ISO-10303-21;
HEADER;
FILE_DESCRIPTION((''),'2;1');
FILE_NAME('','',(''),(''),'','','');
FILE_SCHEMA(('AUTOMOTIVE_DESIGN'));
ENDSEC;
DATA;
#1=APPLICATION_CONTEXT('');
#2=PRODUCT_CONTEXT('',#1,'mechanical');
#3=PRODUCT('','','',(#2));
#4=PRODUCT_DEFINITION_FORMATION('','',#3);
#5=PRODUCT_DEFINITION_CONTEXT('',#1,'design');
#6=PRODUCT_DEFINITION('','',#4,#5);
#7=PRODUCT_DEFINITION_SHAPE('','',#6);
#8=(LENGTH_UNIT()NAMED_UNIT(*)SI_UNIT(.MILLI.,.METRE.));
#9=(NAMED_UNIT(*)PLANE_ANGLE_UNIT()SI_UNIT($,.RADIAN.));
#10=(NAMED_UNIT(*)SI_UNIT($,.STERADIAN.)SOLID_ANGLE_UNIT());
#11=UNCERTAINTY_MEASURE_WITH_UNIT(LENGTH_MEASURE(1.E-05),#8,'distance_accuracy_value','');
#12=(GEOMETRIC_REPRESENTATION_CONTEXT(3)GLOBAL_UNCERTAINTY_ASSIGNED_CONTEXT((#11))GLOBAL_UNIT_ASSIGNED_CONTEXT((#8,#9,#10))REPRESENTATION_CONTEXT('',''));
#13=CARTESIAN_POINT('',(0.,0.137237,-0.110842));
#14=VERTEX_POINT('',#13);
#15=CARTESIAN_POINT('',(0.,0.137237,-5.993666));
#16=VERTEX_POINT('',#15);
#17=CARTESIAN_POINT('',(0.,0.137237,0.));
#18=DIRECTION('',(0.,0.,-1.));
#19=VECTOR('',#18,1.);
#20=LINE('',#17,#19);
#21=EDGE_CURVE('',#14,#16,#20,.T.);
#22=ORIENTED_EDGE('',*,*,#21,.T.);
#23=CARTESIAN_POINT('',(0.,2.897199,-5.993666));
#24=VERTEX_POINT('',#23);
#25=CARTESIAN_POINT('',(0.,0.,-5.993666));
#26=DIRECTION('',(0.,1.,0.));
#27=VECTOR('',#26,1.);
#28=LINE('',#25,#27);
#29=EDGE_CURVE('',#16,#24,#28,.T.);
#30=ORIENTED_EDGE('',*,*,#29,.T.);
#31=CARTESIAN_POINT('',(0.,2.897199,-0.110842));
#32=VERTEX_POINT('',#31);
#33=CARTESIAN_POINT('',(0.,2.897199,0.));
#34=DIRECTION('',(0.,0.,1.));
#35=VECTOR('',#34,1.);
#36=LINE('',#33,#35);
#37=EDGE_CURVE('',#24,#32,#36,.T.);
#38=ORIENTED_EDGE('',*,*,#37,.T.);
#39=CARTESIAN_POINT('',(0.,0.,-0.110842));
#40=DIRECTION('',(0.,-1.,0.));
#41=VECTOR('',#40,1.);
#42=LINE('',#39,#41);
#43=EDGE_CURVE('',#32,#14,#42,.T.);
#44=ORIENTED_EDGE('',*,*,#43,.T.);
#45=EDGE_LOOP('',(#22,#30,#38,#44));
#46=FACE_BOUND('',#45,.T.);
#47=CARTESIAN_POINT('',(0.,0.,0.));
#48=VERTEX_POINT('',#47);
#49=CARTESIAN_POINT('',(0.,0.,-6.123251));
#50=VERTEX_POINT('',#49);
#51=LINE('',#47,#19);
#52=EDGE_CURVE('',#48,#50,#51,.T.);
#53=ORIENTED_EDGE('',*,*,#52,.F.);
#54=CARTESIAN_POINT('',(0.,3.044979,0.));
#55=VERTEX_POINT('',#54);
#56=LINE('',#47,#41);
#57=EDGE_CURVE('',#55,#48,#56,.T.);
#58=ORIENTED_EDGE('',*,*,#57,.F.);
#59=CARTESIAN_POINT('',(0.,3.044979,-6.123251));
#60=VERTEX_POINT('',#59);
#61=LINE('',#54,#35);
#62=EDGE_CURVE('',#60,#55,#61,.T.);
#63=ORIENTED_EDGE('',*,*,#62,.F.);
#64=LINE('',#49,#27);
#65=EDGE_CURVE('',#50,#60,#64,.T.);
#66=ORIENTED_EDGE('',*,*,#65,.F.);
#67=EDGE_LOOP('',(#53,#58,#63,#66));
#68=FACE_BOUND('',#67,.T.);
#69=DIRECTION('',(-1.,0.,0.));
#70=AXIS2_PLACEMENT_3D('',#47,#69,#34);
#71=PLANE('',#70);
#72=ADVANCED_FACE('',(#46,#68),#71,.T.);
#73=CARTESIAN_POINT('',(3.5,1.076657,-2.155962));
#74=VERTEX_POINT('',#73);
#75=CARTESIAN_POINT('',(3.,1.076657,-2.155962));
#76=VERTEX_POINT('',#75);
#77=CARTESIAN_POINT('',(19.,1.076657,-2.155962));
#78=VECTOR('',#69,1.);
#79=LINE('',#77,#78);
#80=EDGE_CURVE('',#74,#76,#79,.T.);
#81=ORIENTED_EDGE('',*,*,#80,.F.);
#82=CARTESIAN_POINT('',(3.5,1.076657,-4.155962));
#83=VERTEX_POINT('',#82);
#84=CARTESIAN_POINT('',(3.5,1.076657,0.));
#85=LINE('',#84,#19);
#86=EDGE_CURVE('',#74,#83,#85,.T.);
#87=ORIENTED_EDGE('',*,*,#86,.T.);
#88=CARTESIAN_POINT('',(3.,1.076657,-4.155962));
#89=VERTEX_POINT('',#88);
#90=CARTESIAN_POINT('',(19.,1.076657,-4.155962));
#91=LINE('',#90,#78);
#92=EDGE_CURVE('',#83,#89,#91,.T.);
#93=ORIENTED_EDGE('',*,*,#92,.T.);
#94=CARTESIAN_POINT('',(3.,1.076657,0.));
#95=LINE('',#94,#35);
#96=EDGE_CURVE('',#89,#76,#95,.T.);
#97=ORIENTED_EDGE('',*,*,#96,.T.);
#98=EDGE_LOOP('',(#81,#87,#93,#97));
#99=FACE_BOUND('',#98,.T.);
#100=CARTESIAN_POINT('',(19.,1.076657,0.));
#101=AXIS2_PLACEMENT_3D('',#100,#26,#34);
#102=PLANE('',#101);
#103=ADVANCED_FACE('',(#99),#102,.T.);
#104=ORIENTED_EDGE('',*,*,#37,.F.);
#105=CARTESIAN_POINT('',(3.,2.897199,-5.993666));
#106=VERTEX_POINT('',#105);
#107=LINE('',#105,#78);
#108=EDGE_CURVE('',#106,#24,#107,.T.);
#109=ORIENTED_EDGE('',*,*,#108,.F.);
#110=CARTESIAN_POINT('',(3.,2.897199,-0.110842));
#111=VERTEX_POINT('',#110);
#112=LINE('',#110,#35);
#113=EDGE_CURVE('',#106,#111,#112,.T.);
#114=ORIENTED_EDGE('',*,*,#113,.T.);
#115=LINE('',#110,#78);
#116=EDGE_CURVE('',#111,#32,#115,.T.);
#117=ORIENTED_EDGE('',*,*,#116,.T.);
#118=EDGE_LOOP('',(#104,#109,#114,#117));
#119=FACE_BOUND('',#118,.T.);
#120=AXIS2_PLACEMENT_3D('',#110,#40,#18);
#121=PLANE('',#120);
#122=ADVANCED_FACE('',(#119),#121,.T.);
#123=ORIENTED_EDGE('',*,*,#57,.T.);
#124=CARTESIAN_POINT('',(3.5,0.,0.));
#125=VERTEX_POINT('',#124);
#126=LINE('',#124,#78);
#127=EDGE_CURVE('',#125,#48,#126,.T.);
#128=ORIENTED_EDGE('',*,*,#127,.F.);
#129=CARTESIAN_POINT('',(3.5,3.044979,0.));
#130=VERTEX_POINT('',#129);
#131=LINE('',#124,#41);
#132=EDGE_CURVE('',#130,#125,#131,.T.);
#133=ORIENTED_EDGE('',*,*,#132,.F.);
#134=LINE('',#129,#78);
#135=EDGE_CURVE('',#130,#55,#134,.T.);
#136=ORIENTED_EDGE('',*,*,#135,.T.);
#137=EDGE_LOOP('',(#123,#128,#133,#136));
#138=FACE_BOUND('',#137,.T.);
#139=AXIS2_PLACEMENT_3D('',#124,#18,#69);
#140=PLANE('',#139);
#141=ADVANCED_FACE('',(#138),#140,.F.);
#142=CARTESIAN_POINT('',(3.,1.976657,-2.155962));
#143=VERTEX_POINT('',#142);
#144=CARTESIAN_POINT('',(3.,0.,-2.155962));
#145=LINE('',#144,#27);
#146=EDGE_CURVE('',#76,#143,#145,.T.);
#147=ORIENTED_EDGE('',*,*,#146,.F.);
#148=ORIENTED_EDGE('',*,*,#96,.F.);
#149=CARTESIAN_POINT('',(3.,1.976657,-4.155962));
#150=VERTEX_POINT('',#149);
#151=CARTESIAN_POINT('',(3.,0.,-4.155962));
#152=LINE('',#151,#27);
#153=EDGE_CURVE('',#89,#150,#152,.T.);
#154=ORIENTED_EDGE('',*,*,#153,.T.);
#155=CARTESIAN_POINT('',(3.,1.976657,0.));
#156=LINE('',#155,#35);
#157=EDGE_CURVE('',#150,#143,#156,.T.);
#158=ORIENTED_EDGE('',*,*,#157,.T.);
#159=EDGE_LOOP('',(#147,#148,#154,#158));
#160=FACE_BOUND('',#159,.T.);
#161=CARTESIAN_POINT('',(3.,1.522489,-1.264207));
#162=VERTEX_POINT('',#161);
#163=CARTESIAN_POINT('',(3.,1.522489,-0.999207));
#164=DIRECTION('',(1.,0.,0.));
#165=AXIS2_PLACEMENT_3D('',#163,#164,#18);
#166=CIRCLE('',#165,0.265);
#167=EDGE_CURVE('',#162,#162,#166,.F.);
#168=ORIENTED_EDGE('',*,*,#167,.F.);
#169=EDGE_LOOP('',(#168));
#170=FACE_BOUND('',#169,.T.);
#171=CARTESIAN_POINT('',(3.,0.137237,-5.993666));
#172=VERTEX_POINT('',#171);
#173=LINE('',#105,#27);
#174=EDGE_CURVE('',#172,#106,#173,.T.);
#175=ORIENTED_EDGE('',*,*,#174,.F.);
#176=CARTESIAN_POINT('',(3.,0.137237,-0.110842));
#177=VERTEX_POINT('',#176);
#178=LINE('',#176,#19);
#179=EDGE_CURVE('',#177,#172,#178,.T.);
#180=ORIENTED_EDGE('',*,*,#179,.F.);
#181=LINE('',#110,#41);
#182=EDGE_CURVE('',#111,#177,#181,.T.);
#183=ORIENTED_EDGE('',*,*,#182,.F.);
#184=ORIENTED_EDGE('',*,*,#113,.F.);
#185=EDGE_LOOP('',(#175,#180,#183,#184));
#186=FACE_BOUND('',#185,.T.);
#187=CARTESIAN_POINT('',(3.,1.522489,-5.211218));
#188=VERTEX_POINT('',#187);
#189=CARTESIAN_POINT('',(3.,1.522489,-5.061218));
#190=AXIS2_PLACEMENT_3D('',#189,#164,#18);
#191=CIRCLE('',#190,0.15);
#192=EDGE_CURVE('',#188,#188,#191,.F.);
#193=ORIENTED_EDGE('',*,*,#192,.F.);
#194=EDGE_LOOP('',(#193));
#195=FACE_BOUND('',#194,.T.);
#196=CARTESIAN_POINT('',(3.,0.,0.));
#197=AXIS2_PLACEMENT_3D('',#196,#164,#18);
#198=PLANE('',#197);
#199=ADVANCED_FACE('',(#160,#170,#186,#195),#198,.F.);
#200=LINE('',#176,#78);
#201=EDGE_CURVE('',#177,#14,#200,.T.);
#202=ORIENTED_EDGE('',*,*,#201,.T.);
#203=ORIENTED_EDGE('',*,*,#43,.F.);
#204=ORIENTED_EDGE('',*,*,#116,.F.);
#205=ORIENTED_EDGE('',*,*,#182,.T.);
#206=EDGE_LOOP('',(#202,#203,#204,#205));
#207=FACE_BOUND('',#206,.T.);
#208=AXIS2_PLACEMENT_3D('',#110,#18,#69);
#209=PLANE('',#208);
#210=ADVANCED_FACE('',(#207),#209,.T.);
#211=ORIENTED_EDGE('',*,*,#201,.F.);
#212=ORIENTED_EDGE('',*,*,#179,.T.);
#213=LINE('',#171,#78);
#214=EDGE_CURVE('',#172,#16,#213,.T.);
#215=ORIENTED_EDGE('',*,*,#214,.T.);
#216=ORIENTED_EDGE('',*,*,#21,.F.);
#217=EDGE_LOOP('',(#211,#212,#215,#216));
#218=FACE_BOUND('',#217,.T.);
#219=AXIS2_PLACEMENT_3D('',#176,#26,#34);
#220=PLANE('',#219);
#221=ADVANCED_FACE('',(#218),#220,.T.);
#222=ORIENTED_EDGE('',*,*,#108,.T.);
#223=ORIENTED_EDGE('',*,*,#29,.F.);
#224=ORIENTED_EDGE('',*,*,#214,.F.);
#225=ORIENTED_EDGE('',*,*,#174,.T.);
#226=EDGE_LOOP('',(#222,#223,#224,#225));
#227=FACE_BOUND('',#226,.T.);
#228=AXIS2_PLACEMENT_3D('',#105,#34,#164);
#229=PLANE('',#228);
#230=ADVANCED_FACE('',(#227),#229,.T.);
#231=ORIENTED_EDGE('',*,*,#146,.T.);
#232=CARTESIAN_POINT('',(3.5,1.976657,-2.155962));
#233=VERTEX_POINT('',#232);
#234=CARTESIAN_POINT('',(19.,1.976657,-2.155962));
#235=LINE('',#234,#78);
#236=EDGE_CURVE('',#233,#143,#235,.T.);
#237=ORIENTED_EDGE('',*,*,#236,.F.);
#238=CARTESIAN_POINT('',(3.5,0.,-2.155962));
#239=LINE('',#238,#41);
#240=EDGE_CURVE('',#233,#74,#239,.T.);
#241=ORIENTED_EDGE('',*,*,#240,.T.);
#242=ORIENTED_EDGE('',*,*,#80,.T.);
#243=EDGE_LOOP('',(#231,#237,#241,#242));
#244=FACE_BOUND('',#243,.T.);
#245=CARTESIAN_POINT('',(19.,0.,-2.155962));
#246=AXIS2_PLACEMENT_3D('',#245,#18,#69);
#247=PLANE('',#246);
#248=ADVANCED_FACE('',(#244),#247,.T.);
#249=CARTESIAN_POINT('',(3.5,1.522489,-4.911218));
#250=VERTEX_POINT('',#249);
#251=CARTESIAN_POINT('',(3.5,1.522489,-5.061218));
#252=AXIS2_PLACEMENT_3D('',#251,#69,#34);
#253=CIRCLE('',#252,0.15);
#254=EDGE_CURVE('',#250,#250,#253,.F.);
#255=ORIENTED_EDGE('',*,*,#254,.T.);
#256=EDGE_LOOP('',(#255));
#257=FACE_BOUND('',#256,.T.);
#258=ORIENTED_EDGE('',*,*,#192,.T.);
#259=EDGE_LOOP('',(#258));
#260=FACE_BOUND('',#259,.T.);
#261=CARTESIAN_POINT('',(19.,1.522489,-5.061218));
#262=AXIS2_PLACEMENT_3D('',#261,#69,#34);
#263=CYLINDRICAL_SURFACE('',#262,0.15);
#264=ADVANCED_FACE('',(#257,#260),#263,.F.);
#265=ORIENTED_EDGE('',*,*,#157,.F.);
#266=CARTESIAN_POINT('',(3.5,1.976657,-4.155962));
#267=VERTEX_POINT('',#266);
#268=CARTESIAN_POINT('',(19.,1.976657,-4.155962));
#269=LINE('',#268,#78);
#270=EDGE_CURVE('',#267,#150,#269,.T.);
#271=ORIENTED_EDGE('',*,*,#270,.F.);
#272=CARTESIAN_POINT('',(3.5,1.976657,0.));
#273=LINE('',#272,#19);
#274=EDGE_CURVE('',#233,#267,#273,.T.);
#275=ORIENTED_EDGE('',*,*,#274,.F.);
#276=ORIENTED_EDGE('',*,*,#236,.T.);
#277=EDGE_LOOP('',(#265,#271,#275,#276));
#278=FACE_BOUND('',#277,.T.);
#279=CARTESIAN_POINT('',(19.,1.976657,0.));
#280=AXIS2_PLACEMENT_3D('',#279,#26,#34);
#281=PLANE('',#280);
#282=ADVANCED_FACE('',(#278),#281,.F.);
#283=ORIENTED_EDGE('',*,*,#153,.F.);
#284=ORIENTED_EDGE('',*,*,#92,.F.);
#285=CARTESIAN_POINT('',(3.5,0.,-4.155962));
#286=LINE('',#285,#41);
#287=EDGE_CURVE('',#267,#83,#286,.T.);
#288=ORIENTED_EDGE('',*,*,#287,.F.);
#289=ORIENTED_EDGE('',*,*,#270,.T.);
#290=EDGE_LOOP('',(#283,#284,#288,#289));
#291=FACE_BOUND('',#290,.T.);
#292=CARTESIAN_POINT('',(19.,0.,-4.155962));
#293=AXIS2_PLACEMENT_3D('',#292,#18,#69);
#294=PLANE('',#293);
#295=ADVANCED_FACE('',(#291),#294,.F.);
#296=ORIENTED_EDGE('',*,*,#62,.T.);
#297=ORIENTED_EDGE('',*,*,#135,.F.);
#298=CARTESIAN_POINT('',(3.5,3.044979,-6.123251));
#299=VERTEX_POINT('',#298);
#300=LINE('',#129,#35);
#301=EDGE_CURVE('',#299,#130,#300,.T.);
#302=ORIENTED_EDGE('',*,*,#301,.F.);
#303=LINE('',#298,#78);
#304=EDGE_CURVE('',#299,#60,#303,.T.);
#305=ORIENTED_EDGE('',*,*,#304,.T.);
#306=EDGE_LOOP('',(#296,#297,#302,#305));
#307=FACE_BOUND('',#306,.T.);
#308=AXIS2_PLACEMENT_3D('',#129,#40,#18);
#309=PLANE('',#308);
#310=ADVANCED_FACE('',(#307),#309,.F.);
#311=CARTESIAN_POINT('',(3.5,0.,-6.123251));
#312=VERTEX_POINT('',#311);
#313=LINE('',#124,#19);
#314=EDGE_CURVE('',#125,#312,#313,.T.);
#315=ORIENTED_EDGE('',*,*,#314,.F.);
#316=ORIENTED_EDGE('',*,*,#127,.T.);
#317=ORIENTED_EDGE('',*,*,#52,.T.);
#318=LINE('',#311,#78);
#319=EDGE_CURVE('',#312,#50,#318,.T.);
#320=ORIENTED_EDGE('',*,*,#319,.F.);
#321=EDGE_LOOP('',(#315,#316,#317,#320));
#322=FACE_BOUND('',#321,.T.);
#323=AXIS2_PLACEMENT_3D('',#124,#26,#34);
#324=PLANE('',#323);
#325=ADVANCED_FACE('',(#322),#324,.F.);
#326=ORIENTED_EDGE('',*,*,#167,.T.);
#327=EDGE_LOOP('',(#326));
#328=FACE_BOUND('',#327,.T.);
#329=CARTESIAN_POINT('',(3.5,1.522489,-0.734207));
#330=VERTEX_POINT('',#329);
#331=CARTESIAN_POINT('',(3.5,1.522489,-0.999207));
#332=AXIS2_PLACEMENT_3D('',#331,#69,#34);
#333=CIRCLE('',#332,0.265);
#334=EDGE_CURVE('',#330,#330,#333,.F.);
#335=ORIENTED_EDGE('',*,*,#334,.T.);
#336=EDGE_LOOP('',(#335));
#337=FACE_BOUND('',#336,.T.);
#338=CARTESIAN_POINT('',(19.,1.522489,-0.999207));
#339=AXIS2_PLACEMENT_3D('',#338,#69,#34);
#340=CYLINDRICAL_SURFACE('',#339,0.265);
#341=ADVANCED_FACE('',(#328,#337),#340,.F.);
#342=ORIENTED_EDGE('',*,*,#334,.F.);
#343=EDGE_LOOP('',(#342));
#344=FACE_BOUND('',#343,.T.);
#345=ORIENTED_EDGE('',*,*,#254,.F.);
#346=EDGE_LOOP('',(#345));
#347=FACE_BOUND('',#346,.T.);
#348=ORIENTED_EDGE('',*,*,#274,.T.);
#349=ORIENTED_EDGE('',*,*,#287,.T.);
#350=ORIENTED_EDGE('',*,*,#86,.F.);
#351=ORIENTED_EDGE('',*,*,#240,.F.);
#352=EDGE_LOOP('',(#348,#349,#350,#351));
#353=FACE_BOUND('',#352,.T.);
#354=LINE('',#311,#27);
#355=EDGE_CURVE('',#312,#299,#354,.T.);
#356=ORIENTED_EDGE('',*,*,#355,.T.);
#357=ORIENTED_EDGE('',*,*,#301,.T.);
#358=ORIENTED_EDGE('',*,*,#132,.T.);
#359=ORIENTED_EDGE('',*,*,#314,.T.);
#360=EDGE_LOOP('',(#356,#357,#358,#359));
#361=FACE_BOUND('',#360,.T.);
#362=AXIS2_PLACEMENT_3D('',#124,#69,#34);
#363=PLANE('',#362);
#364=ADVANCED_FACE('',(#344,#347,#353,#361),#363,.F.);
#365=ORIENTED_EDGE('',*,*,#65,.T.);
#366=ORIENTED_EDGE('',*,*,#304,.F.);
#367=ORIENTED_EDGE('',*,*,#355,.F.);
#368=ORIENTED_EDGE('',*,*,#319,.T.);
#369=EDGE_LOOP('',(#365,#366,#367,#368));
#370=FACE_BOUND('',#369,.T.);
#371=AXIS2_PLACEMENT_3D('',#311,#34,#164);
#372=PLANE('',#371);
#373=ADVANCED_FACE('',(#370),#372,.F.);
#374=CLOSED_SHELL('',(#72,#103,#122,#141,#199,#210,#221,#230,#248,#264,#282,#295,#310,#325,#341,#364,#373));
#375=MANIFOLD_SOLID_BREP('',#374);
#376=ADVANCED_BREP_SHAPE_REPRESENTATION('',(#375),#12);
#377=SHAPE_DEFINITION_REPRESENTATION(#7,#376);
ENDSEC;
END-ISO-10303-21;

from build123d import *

# Parameters (mm, degrees)
SKETCH3_W               = 6.123251055
SKETCH3_H               = 3.044978856
BOSS_EXTRUDE1_DEPTH     = 3.5
SKETCH4_W               = 5.882824508
SKETCH4_H               = 2.759961498
CUT_EXTRUDE1_DEPTH      = 3
CUT_EXTRUDE1_DEPTH_BACK = 3.5
SKETCH5_W               = 2
SKETCH5_H               = 0.9
SKETCH5_R               = 0.265
SKETCH5_R_2             = 0.15
CUT_EXTRUDE4_DEPTH      = 19
CUT_EXTRUDE4_DEPTH_BACK = 9.5


with BuildPart() as part:
    # Sketch3 → Boss-Extrude1 (new body)
    with BuildSketch(Plane(origin=(0, 0, 0), x_dir=(0, 0, -1), z_dir=(1, 0, 0))):
        with Locations((3.061625528, 1.522489428)):
            Rectangle(SKETCH3_W, SKETCH3_H)
    extrude(amount=BOSS_EXTRUDE1_DEPTH)

    # Sketch4 → Cut-Extrude1 (cut, two sides)
    with BuildSketch(Plane(origin=(0, 0, 0), x_dir=(0, 0, -1), z_dir=(1, 0, 0))) as cut_extrude1_sk:
        with Locations((3.052253754, 1.517218169)):
            Rectangle(SKETCH4_W, SKETCH4_H)
    extrude(amount=CUT_EXTRUDE1_DEPTH, mode=Mode.SUBTRACT)
    extrude(cut_extrude1_sk.sketch, amount=-CUT_EXTRUDE1_DEPTH_BACK, mode=Mode.SUBTRACT)

    # Sketch5 → Cut-Extrude4 (cut, two sides)
    with BuildSketch(Plane(origin=(0, 0, 0), x_dir=(0, 0, -1), z_dir=(1, 0, 0))) as cut_extrude4_sk:
        with Locations((3.155962341, 1.526656808)):
            Rectangle(SKETCH5_W, SKETCH5_H)
        with Locations((0.999206787, 1.522489428)):
            Circle(SKETCH5_R)
        with Locations((5.061218107, 1.522489428)):
            Circle(SKETCH5_R_2)
    extrude(amount=CUT_EXTRUDE4_DEPTH, mode=Mode.SUBTRACT)
    extrude(cut_extrude4_sk.sketch, amount=-CUT_EXTRUDE4_DEPTH_BACK, mode=Mode.SUBTRACT)


solid = part.part
